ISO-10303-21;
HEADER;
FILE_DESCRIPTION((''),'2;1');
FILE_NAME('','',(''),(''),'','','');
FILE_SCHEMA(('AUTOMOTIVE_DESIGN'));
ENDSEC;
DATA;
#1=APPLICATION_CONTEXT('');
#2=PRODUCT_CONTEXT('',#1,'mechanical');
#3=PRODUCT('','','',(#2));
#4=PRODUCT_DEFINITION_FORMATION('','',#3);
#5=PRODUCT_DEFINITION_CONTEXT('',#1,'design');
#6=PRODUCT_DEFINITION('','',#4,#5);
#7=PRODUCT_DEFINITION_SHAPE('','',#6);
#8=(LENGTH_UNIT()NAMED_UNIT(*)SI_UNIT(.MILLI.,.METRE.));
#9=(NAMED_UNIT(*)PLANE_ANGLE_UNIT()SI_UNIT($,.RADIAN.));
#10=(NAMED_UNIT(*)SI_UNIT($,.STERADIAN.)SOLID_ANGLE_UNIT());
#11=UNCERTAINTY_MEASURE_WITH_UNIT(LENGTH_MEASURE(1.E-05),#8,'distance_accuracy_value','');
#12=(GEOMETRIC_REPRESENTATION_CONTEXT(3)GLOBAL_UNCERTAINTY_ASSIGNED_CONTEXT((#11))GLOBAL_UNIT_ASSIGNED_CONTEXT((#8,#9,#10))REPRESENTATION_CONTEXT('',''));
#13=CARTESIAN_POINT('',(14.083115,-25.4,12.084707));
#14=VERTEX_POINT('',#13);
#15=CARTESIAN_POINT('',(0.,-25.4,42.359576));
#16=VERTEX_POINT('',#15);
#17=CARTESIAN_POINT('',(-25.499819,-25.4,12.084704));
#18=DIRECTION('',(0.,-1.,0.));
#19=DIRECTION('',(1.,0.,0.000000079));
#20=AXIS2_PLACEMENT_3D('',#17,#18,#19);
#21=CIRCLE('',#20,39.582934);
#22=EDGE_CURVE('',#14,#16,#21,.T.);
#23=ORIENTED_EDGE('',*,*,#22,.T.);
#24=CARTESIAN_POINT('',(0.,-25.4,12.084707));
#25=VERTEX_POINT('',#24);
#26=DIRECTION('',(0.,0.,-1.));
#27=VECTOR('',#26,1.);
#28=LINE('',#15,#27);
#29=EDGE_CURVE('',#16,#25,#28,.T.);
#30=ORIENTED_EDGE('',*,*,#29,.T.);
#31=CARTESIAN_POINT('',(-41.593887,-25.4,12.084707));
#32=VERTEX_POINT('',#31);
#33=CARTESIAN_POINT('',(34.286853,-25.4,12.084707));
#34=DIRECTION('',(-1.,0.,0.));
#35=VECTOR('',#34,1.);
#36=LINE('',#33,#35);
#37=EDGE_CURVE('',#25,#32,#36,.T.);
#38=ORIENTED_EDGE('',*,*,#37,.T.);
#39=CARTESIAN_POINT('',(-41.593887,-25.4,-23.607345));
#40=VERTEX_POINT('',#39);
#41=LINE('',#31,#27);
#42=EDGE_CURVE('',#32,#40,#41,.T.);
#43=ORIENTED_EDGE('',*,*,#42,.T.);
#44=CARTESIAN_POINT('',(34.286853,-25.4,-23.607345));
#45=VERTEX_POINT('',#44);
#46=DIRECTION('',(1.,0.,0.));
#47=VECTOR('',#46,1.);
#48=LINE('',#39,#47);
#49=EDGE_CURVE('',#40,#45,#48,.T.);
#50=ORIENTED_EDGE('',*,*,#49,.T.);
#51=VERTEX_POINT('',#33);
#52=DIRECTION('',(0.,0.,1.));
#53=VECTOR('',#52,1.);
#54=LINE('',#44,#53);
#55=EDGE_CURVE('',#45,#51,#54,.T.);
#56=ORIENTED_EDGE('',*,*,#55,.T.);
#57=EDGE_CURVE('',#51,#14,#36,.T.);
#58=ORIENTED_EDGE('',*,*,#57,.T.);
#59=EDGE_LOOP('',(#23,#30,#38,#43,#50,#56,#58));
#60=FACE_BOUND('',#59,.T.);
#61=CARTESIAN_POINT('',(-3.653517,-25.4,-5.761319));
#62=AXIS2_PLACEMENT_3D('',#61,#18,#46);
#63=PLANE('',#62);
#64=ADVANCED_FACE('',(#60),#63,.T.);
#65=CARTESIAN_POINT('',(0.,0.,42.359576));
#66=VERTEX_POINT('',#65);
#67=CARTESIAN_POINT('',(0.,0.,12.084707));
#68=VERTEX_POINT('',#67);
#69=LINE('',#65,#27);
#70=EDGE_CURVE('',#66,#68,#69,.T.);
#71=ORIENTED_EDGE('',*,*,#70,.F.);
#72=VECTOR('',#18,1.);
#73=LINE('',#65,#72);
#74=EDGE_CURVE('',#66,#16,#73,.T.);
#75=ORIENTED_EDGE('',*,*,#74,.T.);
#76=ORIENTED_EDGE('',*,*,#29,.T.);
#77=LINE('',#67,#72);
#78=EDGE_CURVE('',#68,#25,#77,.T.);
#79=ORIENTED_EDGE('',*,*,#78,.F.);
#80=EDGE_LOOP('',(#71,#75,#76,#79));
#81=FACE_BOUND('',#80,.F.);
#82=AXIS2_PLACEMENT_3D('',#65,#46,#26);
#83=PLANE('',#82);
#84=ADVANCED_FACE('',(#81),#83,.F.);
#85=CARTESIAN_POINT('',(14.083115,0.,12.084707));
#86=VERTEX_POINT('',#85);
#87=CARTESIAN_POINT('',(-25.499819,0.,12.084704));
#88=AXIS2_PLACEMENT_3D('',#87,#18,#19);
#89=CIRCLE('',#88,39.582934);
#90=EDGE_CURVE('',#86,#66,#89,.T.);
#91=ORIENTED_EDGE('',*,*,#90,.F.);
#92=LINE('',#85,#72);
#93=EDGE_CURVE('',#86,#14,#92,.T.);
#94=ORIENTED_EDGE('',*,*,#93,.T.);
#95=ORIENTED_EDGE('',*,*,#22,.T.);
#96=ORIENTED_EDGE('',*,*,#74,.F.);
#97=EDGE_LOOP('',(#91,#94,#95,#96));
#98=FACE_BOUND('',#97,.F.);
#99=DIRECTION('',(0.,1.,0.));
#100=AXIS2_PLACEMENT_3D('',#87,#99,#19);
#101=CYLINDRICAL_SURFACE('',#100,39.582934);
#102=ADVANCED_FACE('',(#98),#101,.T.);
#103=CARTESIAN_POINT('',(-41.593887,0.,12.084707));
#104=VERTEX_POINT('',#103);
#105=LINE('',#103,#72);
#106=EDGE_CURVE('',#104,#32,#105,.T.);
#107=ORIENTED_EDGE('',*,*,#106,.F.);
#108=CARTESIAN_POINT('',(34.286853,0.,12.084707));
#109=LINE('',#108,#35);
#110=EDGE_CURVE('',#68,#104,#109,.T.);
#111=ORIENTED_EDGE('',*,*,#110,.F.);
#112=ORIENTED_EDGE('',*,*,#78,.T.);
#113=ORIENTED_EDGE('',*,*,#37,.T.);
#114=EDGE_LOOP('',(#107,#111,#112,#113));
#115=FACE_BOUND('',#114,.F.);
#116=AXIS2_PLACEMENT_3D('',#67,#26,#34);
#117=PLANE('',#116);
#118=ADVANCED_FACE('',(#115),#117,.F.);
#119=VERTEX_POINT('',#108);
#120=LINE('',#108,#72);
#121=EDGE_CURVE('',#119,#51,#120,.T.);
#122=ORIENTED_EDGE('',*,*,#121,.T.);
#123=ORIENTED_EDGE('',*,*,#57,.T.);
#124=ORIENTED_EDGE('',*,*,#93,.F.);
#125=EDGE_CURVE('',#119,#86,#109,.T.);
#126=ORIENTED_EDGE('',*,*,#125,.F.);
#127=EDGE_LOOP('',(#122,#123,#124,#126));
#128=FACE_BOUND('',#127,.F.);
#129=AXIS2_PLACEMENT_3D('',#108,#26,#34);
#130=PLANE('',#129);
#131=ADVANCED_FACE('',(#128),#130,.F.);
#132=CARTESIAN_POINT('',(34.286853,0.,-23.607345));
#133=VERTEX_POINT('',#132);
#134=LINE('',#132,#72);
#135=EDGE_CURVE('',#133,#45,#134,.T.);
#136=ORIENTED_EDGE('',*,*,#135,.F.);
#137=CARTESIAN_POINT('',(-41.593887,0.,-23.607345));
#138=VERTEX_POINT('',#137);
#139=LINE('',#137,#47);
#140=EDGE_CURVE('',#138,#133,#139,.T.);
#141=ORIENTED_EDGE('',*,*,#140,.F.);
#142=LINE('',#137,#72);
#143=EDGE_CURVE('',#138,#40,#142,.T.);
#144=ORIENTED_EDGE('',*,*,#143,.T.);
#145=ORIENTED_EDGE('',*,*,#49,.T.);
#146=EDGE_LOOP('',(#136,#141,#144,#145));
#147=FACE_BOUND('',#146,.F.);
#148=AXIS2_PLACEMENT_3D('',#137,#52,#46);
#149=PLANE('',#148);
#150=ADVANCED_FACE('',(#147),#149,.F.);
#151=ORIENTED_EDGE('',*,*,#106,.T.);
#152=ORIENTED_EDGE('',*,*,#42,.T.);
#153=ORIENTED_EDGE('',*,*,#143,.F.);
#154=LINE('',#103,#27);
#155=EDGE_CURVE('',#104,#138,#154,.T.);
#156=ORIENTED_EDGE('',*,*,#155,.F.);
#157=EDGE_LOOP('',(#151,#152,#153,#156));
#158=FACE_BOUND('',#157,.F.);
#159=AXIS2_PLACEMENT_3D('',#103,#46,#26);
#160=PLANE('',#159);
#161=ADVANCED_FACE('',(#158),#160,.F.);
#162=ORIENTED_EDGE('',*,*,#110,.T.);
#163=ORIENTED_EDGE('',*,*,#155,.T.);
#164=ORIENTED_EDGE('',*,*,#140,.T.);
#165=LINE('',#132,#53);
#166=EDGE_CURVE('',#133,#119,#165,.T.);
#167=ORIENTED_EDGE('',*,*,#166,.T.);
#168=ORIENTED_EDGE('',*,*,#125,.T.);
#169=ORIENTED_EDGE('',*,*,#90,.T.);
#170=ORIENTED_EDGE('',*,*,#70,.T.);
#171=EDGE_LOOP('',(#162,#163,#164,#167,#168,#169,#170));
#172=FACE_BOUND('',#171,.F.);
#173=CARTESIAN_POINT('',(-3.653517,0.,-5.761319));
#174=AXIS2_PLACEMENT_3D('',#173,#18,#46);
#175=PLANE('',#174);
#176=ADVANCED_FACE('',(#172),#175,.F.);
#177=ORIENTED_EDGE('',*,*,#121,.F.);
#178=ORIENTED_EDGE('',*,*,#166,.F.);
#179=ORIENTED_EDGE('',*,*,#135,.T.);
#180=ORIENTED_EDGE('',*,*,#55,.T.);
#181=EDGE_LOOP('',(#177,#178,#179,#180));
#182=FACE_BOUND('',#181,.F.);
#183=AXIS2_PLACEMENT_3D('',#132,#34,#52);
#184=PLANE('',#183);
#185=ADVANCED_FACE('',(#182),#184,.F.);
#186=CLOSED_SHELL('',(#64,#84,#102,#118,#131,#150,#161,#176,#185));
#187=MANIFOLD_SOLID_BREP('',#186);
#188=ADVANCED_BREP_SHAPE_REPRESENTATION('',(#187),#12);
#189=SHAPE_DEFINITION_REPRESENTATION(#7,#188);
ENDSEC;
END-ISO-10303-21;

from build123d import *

# Parameters (mm, degrees)
F1_DEPTH = 25.4


with BuildPart() as f1:
    # F0 (on Front) → F1 (new body)
    with BuildSketch(Plane.XZ):
        Polygon((0, 12.084707), (-41.593887, 12.084707), (-41.593887, -23.607345), (34.286853, -23.607345), (34.286853, 12.084707), (14.083115, 12.084707), align=None)
        with BuildLine():
            Line((0, 42.359576), (0, 12.084707))
            Line((0, 12.084707), (14.083115, 12.084707))
            ThreePointArc((14.083115, 12.084707), (10.390056, 28.779779), (0, 42.359576))
        make_face()
    extrude(amount=F1_DEPTH)


solid = f1.part
